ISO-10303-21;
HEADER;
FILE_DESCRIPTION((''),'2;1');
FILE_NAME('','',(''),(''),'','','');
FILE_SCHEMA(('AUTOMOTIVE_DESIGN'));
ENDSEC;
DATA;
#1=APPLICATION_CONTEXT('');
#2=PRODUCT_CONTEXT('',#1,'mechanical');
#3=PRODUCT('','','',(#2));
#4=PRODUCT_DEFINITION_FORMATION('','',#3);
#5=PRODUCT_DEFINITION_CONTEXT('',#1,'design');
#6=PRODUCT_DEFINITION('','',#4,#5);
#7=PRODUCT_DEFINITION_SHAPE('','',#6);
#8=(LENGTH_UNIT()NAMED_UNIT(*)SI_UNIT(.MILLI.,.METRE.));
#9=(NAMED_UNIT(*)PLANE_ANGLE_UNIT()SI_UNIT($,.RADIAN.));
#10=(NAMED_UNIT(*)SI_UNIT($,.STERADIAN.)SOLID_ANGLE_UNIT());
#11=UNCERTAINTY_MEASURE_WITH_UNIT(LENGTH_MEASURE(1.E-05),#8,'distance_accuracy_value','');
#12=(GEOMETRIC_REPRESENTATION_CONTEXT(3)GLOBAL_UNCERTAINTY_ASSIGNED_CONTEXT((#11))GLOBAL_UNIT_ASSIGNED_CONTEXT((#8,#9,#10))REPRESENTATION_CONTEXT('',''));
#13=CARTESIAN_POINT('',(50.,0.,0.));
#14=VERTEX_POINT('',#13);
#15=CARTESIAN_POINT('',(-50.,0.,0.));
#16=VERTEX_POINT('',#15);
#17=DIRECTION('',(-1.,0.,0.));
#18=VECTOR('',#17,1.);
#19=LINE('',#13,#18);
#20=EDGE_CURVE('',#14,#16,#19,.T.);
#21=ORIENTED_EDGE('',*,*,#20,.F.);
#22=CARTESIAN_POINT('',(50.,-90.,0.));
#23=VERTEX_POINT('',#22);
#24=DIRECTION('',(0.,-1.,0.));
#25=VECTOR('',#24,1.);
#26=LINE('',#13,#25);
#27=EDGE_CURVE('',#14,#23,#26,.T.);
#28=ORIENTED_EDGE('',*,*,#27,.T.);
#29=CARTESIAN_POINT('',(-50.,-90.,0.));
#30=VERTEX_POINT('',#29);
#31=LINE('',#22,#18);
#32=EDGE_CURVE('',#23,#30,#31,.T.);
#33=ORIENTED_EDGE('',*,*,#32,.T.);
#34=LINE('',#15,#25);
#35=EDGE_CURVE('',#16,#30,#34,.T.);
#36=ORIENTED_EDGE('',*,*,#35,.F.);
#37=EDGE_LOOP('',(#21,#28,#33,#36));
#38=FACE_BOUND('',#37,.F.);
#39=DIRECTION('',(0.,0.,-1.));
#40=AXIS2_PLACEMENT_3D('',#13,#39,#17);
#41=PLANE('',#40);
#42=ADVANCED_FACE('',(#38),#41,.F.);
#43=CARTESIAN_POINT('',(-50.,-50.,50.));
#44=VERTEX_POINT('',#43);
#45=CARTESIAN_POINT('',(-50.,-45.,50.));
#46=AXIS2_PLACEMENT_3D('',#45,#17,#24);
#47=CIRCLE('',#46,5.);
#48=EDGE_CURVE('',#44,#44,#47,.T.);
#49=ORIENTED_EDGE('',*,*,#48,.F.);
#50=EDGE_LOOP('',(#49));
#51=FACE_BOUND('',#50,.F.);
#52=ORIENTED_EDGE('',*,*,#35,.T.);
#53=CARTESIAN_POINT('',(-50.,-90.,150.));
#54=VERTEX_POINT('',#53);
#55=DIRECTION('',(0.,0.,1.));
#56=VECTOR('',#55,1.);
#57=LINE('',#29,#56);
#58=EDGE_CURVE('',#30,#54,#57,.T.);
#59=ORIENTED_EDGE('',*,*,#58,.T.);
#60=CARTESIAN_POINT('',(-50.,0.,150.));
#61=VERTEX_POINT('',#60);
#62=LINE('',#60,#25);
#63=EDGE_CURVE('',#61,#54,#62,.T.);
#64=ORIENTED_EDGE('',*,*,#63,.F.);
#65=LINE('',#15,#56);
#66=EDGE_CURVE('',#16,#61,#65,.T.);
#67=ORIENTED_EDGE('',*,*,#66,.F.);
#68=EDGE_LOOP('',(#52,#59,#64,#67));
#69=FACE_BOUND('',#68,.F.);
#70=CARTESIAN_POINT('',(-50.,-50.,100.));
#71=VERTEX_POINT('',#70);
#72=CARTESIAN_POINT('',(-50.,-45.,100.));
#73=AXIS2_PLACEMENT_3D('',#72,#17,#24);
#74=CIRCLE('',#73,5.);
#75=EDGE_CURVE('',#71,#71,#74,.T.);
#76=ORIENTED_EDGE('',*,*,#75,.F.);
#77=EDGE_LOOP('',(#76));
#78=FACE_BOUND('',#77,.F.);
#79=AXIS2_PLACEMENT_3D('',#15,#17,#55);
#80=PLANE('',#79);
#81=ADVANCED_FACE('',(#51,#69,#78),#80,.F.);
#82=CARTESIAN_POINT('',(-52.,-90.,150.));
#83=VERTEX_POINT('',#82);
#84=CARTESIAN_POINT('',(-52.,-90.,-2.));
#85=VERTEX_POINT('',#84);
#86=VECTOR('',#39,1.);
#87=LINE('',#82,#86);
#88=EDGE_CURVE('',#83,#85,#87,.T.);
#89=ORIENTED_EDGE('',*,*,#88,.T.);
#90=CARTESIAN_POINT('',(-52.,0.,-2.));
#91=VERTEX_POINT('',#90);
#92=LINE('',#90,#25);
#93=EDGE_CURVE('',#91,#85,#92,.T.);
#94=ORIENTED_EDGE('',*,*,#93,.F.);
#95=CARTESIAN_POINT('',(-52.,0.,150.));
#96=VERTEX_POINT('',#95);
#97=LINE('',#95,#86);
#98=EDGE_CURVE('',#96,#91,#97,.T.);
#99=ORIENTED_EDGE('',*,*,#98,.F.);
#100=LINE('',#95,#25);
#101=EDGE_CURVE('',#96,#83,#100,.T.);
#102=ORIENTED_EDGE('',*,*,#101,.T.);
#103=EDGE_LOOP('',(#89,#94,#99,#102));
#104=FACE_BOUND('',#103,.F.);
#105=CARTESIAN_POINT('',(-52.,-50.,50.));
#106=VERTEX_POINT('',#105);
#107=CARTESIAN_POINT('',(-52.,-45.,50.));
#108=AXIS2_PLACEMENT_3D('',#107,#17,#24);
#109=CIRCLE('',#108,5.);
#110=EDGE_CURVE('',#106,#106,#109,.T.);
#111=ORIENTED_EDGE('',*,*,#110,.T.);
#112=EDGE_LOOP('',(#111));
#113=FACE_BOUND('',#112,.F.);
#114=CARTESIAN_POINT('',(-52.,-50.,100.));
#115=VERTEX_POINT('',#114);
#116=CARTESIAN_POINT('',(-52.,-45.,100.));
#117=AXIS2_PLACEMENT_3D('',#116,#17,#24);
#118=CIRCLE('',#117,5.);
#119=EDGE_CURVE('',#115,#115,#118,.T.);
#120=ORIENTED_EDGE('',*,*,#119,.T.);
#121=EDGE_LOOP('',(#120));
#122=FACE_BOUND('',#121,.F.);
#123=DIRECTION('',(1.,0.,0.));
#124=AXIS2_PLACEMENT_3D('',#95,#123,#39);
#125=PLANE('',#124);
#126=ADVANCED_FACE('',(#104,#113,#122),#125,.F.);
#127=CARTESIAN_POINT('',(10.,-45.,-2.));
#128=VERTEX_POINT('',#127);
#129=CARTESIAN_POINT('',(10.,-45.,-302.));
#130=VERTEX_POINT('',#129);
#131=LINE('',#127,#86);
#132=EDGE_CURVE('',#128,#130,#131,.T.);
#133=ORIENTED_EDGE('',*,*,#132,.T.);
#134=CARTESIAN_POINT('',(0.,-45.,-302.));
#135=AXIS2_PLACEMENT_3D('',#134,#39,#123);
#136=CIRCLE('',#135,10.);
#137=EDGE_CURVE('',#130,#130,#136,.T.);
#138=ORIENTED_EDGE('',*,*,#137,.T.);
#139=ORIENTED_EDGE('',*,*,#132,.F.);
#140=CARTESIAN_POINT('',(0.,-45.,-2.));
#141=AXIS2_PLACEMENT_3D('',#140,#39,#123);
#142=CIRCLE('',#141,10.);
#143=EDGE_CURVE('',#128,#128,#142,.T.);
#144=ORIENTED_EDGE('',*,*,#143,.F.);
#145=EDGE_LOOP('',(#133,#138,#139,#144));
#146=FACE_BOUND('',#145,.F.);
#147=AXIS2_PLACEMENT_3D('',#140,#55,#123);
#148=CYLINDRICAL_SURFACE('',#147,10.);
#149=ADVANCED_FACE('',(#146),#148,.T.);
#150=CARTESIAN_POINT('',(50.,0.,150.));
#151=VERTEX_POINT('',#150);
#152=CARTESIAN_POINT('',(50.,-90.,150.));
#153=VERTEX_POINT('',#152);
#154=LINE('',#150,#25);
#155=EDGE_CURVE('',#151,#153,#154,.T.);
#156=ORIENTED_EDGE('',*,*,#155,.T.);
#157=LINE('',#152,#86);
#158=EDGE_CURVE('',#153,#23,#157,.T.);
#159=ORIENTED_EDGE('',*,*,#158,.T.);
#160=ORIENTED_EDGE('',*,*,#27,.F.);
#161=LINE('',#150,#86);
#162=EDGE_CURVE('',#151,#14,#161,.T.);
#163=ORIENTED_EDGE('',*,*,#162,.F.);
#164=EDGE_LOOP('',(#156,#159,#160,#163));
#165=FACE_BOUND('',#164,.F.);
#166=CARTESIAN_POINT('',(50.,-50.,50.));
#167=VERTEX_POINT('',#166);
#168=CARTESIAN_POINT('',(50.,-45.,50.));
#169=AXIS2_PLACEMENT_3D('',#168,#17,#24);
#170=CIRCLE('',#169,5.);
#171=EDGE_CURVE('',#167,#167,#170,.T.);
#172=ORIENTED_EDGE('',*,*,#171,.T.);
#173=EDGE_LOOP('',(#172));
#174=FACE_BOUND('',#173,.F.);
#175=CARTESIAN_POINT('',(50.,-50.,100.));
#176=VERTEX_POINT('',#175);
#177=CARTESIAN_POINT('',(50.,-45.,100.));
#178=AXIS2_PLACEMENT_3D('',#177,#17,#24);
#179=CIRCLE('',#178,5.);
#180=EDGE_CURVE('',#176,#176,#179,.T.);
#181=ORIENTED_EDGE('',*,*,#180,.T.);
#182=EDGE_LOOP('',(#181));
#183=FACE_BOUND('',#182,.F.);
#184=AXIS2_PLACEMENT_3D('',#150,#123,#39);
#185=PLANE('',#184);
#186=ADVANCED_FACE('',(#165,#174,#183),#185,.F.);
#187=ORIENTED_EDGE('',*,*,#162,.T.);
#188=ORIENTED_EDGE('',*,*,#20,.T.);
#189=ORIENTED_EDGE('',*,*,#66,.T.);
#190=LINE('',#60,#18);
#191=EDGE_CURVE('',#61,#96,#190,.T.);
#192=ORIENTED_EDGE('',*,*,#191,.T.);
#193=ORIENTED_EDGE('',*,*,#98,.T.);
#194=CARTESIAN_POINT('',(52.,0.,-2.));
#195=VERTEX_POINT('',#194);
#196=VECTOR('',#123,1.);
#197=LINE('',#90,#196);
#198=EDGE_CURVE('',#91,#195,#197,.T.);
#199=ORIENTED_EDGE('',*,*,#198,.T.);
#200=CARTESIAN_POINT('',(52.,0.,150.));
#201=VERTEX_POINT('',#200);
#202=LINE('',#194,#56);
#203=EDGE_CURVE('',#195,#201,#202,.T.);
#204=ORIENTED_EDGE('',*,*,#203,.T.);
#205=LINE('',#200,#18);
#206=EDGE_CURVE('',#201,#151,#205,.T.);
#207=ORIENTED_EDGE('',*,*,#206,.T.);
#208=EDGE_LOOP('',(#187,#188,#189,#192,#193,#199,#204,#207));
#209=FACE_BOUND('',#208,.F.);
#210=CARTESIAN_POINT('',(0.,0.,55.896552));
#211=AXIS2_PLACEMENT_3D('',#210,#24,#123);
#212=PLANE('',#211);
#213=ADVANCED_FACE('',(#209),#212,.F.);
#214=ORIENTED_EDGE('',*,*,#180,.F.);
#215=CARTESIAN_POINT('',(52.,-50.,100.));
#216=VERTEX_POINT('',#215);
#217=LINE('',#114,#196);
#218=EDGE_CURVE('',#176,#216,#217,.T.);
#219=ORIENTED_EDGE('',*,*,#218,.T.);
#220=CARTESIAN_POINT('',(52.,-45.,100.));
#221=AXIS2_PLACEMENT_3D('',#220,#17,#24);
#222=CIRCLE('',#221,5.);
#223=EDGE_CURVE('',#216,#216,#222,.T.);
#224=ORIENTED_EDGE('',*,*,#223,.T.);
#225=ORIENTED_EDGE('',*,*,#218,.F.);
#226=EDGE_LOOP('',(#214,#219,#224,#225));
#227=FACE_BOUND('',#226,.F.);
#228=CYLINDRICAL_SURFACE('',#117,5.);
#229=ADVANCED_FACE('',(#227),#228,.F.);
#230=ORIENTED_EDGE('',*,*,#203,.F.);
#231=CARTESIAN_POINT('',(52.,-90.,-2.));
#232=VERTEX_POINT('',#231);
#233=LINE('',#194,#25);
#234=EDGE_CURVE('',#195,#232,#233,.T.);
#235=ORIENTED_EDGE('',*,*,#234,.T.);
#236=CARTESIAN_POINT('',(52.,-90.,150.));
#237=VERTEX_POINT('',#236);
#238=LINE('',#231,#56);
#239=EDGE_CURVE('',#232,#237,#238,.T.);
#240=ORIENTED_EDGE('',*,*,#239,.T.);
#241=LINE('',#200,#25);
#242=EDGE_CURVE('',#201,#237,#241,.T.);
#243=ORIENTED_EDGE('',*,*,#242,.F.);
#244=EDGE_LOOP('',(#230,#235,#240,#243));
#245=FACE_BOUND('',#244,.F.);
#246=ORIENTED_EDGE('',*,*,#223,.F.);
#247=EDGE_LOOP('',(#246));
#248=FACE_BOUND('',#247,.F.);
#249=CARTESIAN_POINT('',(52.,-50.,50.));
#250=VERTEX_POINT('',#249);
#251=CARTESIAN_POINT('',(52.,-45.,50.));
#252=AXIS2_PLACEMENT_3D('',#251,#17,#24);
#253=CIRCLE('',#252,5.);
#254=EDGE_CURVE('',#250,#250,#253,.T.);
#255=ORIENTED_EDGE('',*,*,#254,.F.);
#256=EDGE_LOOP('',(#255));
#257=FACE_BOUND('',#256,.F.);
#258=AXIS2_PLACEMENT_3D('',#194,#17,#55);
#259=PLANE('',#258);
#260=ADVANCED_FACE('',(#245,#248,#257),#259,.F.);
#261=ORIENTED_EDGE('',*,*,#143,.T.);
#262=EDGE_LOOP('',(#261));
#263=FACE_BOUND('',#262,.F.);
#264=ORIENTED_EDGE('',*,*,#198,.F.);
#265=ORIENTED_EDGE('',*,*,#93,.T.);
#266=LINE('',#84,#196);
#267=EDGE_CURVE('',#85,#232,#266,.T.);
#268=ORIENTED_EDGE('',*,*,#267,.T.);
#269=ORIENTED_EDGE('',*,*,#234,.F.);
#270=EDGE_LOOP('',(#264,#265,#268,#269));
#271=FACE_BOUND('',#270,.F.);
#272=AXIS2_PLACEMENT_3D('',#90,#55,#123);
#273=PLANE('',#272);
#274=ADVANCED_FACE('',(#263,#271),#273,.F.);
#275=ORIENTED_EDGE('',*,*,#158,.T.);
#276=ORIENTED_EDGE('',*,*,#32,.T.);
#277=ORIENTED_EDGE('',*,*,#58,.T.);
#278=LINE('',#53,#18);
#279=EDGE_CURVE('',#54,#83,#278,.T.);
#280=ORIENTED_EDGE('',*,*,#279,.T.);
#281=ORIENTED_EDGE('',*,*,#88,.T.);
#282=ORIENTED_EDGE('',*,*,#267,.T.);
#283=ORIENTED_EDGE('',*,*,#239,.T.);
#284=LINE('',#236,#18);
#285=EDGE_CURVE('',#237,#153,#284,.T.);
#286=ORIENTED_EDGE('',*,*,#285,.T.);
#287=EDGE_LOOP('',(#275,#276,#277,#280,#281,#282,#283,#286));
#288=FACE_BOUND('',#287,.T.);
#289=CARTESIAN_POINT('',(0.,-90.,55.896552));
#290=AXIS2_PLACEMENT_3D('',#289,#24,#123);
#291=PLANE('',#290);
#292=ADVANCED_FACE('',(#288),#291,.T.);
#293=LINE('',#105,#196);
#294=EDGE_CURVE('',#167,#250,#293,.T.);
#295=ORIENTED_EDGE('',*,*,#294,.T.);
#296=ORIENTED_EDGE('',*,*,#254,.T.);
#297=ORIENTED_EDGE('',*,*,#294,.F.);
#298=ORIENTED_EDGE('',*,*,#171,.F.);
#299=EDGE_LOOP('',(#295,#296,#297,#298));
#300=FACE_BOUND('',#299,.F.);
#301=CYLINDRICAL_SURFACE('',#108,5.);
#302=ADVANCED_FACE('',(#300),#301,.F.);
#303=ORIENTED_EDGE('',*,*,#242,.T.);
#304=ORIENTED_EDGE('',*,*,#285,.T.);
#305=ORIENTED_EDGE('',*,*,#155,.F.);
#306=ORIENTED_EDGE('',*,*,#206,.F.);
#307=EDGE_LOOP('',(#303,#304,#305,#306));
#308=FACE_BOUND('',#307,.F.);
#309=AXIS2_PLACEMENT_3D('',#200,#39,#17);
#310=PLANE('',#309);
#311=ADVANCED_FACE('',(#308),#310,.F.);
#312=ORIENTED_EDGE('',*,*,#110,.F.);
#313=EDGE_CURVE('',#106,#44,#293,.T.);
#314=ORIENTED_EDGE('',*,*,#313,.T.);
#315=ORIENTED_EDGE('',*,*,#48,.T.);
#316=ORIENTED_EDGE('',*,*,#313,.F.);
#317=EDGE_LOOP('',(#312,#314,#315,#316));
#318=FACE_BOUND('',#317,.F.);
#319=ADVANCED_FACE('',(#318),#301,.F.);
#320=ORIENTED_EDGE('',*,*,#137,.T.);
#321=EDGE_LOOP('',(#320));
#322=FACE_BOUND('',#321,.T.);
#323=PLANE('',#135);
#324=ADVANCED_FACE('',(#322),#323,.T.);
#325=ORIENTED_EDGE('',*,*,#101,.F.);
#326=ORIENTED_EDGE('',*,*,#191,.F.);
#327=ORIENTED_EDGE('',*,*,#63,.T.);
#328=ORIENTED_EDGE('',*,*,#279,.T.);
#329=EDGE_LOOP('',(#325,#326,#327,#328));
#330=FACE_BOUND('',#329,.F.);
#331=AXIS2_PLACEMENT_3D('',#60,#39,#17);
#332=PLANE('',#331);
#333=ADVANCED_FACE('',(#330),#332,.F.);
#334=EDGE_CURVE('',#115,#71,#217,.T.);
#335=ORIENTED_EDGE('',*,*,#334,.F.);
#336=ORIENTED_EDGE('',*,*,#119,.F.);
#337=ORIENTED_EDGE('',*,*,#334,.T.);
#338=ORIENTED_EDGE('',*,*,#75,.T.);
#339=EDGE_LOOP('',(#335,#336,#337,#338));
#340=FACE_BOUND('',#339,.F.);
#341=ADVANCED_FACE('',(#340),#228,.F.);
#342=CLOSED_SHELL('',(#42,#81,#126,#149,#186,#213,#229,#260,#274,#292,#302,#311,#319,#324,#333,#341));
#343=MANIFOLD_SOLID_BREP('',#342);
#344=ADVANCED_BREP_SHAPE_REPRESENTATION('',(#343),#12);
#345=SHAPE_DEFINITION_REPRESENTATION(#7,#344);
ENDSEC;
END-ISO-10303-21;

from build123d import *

# Parameters (mm, degrees)
F1_DEPTH = 90
F2_R     = 10
F3_DEPTH = 300
F4_R     = 5
F5_DEPTH = 104.001


with BuildPart() as f1:
    # F0 (on Front) → F1 (new body)
    with BuildSketch(Plane.XZ):
        Polygon((50, 0), (0, 0), (-50, 0), (-50, 150), (-52, 150), (-52, -2), (52, -2), (52, 150), (50, 150), align=None)
    extrude(amount=F1_DEPTH)

    # F2 (on face) → F3 (join)
    with BuildSketch(Plane(origin=(0, 0, -2), x_dir=(1, 0, 0), z_dir=(0, 0, -1))):
        with Locations((0, 45)):
            Circle(F2_R)
    extrude(amount=F3_DEPTH)

    # F4 (on face) → F5 (cut, through all)
    with BuildSketch(Plane(origin=(-52, 0, 0), x_dir=(0, -1, 0), z_dir=(-1, 0, 0))):
        with Locations((45, 100)):
            Circle(F4_R)
        with Locations((45, 50)):
            Circle(F4_R)
    extrude(amount=-F5_DEPTH, mode=Mode.SUBTRACT)


solid = f1.part
